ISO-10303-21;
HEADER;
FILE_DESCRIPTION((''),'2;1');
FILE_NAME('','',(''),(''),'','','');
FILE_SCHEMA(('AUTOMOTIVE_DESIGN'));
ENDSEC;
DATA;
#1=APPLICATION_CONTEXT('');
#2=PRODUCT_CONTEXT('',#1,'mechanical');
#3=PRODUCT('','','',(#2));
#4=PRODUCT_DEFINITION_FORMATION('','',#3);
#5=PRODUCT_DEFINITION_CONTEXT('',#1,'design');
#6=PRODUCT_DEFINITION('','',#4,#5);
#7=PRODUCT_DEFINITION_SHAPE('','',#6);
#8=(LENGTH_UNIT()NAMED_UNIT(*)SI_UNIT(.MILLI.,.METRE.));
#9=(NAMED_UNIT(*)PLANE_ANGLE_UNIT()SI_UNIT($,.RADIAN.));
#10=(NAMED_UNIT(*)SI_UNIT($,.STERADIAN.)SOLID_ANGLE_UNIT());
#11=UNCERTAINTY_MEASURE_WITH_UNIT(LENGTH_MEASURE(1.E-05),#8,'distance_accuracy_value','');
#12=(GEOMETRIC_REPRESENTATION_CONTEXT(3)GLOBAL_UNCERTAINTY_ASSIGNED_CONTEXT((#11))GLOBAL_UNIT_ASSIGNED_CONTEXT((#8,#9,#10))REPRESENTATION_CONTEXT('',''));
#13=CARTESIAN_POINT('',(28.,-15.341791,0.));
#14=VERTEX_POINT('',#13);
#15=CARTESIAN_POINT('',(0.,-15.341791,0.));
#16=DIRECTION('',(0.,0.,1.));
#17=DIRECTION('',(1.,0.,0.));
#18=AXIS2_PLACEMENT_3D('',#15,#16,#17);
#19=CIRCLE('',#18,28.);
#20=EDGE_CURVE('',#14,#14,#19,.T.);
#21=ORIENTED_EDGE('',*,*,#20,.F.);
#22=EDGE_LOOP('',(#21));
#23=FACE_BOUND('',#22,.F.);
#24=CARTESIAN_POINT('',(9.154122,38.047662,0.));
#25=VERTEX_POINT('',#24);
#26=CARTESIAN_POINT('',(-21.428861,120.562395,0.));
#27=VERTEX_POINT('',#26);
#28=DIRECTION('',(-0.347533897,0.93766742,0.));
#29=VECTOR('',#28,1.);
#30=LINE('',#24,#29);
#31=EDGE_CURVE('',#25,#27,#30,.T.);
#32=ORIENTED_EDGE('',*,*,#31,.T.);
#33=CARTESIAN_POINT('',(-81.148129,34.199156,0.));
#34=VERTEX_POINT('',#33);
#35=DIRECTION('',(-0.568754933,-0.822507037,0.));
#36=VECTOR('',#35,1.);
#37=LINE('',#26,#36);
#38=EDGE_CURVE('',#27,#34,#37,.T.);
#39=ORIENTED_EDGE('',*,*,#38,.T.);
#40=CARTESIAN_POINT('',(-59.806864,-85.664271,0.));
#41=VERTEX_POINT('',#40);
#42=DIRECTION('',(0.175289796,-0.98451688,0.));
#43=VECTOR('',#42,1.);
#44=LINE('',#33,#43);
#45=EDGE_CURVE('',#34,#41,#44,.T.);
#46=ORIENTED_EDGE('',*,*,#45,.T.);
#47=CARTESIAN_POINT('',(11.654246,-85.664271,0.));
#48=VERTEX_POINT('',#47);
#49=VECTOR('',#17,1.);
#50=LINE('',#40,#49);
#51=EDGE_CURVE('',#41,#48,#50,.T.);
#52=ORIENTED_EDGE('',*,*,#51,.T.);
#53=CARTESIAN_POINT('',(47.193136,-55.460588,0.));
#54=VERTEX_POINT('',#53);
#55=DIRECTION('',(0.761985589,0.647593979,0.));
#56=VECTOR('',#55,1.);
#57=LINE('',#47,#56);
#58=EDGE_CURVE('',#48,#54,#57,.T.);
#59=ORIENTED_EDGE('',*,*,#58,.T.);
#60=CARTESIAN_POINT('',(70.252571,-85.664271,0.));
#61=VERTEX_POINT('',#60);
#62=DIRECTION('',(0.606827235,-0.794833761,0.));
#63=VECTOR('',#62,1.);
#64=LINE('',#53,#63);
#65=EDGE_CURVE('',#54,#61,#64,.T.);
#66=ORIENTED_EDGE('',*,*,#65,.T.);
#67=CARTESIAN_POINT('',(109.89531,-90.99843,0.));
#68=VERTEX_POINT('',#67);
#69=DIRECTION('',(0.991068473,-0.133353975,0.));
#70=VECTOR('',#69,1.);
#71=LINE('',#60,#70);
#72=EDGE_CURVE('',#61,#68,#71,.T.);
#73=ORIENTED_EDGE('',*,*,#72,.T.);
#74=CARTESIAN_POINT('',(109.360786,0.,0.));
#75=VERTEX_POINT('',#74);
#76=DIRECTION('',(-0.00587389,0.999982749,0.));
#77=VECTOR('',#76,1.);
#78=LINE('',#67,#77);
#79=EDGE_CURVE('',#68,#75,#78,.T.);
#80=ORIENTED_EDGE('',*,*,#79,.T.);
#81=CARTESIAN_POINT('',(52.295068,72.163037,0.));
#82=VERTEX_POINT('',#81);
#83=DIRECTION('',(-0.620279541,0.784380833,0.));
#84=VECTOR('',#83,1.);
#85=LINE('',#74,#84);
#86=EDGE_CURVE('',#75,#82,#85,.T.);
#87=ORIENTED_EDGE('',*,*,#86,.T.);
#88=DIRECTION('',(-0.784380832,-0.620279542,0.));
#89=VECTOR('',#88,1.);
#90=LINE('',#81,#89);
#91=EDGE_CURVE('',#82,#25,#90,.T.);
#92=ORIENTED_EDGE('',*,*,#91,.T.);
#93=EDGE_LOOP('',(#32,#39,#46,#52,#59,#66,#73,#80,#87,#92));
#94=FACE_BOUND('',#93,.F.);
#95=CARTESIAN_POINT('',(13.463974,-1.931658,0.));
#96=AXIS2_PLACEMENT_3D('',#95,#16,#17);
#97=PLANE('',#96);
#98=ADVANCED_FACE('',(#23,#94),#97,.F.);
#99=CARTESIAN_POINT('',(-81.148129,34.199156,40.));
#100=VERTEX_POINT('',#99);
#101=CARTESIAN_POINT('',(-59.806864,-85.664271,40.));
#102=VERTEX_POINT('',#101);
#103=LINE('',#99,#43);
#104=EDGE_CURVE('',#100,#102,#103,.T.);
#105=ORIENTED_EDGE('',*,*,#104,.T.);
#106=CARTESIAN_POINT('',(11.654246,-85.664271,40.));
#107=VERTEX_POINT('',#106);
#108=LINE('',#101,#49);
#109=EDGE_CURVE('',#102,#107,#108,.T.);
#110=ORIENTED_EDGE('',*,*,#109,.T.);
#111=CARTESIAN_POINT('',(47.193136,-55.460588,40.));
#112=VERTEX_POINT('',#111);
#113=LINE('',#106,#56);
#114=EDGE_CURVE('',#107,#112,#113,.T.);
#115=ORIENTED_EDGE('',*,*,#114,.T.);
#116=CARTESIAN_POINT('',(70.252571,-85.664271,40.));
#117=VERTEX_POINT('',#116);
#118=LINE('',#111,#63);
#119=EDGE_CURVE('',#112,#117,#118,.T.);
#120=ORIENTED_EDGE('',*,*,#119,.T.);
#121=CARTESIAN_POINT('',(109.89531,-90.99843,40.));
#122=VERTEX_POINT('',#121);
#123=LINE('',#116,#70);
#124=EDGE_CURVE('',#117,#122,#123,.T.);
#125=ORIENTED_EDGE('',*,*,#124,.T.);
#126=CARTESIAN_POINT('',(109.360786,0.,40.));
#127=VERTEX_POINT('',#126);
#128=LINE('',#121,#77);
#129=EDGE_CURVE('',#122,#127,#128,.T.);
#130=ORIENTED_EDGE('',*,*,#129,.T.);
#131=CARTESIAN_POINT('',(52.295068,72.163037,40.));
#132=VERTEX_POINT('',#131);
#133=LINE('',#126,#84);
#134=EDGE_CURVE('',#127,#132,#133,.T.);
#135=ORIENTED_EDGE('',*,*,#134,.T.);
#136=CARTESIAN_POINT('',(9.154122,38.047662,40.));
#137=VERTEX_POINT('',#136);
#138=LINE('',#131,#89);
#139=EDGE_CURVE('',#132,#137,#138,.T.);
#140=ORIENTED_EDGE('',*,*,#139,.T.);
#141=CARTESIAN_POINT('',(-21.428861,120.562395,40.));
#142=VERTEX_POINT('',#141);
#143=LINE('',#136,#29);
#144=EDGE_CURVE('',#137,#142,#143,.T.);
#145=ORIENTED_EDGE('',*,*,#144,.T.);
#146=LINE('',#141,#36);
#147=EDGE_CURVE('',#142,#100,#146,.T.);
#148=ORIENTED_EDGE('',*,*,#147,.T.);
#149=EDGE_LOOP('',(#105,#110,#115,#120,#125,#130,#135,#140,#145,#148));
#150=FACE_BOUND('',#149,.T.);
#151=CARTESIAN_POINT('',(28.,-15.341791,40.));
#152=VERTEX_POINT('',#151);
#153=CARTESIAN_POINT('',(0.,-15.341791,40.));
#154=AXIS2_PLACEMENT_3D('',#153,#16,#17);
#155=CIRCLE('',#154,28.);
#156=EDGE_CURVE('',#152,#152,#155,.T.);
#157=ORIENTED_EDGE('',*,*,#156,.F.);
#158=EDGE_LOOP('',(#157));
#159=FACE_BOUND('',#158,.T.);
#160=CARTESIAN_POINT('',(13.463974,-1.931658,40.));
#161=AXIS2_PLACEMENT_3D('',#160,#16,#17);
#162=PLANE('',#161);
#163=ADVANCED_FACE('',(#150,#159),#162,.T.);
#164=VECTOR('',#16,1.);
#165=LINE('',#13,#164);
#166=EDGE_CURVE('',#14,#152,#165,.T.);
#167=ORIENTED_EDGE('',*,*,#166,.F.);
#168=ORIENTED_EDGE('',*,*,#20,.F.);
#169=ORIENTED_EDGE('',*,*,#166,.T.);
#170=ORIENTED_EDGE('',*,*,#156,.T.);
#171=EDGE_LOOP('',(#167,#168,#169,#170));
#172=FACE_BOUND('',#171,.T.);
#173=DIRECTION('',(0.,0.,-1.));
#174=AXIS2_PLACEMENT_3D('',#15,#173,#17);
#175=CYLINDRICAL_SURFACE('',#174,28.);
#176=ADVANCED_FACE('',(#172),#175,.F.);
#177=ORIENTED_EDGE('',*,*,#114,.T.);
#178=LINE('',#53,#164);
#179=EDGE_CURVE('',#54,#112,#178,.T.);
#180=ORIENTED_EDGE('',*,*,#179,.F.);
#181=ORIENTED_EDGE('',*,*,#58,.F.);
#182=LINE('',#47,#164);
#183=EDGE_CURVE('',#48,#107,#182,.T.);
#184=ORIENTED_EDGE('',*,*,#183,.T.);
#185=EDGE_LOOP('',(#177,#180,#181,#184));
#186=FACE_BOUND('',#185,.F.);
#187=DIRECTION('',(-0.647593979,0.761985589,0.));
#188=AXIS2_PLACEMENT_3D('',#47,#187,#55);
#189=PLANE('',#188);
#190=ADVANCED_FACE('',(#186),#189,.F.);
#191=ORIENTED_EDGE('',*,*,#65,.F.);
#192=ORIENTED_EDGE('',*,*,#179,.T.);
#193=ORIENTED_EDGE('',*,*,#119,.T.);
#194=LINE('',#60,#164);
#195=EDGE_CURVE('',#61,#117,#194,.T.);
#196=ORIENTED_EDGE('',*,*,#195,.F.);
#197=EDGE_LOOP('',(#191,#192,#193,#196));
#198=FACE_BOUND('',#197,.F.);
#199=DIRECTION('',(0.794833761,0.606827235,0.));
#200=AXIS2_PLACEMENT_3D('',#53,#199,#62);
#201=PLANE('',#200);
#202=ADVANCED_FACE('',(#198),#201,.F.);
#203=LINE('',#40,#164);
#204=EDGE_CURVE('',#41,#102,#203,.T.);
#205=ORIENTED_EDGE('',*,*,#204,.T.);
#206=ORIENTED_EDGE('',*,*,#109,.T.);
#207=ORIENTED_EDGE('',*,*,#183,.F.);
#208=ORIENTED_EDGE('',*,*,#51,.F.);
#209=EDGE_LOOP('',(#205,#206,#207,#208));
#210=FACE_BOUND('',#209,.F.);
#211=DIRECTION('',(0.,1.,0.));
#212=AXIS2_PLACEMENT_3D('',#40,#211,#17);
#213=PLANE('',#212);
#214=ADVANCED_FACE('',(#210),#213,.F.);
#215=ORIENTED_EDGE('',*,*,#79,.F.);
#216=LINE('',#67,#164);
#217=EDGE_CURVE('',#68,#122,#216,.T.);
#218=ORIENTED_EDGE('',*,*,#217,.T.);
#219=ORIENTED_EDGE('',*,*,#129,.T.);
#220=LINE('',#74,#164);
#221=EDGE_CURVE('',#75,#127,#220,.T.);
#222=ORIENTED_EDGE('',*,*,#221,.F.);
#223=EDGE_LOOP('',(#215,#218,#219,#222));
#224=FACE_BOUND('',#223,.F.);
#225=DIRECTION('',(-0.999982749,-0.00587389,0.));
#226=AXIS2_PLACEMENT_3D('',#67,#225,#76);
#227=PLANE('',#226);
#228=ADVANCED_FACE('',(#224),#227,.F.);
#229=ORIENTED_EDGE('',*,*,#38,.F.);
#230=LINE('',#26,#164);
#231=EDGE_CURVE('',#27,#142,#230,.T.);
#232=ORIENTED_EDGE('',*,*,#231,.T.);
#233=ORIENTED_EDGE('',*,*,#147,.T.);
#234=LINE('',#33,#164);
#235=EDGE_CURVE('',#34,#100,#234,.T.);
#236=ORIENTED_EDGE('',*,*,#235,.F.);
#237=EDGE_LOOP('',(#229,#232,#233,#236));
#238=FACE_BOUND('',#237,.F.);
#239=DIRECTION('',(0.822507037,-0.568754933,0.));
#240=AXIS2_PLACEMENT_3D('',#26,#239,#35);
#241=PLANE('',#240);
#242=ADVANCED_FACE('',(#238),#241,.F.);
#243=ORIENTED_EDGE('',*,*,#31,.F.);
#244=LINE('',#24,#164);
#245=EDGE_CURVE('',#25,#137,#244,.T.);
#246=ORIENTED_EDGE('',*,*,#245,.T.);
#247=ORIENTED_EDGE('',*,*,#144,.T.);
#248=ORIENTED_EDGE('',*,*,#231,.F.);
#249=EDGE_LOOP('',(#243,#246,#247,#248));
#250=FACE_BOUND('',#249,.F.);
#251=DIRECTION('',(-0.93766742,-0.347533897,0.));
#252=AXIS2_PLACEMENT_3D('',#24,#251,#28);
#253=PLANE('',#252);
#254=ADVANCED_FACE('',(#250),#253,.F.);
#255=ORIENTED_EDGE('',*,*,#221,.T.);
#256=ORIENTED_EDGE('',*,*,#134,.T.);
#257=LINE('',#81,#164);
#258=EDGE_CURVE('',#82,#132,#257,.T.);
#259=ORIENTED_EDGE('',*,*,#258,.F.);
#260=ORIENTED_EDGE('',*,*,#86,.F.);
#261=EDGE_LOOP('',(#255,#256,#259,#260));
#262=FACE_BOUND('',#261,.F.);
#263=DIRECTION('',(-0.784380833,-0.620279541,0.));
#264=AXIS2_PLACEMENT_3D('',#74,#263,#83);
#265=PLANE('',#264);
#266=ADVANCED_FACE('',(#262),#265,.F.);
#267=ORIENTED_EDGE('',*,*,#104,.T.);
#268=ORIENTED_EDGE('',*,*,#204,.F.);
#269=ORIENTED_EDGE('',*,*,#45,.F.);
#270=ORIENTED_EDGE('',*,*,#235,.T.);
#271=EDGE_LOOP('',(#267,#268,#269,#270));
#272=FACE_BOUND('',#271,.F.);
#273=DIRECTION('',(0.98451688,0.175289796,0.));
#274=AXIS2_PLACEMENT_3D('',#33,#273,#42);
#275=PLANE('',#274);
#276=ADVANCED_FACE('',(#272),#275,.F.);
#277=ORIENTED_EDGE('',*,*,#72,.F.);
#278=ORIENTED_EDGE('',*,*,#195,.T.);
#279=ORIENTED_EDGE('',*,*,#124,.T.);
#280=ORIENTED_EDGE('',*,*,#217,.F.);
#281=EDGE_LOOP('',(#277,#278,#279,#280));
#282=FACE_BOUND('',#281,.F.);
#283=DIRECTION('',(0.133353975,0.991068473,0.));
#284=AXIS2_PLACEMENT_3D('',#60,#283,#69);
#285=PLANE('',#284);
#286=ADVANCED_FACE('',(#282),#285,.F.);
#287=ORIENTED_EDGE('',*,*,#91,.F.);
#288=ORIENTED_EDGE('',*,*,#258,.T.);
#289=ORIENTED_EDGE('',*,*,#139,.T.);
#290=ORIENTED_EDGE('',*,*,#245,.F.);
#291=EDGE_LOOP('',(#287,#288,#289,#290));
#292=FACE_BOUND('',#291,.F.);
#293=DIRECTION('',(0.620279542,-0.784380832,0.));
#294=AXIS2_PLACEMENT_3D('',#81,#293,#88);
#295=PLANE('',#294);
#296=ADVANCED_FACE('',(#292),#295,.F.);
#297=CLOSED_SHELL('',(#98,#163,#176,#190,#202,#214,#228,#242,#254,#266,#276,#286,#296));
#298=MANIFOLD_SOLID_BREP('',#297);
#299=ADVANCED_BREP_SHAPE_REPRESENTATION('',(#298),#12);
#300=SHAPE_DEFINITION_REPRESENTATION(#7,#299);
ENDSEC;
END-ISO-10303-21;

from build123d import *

# Parameters (mm, degrees)
F0_R     = 28
F1_DEPTH = 40


with BuildPart() as f1:
    # F0 (on Top) → F1 (new body)
    with BuildSketch(Plane.XY):
        Polygon((9.154122, 38.047662), (-21.428861, 120.562395), (-81.148129, 34.199156), (-59.806864, -85.664271), (11.654246, -85.664271), (47.193136, -55.460588), (70.252571, -85.664271), (109.89531, -90.99843), (109.360786, 0), (52.295068, 72.163037), align=None)
        with Locations((0, -15.341791)):
            Circle(F0_R, mode=Mode.SUBTRACT)
    extrude(amount=F1_DEPTH)


solid = f1.part
